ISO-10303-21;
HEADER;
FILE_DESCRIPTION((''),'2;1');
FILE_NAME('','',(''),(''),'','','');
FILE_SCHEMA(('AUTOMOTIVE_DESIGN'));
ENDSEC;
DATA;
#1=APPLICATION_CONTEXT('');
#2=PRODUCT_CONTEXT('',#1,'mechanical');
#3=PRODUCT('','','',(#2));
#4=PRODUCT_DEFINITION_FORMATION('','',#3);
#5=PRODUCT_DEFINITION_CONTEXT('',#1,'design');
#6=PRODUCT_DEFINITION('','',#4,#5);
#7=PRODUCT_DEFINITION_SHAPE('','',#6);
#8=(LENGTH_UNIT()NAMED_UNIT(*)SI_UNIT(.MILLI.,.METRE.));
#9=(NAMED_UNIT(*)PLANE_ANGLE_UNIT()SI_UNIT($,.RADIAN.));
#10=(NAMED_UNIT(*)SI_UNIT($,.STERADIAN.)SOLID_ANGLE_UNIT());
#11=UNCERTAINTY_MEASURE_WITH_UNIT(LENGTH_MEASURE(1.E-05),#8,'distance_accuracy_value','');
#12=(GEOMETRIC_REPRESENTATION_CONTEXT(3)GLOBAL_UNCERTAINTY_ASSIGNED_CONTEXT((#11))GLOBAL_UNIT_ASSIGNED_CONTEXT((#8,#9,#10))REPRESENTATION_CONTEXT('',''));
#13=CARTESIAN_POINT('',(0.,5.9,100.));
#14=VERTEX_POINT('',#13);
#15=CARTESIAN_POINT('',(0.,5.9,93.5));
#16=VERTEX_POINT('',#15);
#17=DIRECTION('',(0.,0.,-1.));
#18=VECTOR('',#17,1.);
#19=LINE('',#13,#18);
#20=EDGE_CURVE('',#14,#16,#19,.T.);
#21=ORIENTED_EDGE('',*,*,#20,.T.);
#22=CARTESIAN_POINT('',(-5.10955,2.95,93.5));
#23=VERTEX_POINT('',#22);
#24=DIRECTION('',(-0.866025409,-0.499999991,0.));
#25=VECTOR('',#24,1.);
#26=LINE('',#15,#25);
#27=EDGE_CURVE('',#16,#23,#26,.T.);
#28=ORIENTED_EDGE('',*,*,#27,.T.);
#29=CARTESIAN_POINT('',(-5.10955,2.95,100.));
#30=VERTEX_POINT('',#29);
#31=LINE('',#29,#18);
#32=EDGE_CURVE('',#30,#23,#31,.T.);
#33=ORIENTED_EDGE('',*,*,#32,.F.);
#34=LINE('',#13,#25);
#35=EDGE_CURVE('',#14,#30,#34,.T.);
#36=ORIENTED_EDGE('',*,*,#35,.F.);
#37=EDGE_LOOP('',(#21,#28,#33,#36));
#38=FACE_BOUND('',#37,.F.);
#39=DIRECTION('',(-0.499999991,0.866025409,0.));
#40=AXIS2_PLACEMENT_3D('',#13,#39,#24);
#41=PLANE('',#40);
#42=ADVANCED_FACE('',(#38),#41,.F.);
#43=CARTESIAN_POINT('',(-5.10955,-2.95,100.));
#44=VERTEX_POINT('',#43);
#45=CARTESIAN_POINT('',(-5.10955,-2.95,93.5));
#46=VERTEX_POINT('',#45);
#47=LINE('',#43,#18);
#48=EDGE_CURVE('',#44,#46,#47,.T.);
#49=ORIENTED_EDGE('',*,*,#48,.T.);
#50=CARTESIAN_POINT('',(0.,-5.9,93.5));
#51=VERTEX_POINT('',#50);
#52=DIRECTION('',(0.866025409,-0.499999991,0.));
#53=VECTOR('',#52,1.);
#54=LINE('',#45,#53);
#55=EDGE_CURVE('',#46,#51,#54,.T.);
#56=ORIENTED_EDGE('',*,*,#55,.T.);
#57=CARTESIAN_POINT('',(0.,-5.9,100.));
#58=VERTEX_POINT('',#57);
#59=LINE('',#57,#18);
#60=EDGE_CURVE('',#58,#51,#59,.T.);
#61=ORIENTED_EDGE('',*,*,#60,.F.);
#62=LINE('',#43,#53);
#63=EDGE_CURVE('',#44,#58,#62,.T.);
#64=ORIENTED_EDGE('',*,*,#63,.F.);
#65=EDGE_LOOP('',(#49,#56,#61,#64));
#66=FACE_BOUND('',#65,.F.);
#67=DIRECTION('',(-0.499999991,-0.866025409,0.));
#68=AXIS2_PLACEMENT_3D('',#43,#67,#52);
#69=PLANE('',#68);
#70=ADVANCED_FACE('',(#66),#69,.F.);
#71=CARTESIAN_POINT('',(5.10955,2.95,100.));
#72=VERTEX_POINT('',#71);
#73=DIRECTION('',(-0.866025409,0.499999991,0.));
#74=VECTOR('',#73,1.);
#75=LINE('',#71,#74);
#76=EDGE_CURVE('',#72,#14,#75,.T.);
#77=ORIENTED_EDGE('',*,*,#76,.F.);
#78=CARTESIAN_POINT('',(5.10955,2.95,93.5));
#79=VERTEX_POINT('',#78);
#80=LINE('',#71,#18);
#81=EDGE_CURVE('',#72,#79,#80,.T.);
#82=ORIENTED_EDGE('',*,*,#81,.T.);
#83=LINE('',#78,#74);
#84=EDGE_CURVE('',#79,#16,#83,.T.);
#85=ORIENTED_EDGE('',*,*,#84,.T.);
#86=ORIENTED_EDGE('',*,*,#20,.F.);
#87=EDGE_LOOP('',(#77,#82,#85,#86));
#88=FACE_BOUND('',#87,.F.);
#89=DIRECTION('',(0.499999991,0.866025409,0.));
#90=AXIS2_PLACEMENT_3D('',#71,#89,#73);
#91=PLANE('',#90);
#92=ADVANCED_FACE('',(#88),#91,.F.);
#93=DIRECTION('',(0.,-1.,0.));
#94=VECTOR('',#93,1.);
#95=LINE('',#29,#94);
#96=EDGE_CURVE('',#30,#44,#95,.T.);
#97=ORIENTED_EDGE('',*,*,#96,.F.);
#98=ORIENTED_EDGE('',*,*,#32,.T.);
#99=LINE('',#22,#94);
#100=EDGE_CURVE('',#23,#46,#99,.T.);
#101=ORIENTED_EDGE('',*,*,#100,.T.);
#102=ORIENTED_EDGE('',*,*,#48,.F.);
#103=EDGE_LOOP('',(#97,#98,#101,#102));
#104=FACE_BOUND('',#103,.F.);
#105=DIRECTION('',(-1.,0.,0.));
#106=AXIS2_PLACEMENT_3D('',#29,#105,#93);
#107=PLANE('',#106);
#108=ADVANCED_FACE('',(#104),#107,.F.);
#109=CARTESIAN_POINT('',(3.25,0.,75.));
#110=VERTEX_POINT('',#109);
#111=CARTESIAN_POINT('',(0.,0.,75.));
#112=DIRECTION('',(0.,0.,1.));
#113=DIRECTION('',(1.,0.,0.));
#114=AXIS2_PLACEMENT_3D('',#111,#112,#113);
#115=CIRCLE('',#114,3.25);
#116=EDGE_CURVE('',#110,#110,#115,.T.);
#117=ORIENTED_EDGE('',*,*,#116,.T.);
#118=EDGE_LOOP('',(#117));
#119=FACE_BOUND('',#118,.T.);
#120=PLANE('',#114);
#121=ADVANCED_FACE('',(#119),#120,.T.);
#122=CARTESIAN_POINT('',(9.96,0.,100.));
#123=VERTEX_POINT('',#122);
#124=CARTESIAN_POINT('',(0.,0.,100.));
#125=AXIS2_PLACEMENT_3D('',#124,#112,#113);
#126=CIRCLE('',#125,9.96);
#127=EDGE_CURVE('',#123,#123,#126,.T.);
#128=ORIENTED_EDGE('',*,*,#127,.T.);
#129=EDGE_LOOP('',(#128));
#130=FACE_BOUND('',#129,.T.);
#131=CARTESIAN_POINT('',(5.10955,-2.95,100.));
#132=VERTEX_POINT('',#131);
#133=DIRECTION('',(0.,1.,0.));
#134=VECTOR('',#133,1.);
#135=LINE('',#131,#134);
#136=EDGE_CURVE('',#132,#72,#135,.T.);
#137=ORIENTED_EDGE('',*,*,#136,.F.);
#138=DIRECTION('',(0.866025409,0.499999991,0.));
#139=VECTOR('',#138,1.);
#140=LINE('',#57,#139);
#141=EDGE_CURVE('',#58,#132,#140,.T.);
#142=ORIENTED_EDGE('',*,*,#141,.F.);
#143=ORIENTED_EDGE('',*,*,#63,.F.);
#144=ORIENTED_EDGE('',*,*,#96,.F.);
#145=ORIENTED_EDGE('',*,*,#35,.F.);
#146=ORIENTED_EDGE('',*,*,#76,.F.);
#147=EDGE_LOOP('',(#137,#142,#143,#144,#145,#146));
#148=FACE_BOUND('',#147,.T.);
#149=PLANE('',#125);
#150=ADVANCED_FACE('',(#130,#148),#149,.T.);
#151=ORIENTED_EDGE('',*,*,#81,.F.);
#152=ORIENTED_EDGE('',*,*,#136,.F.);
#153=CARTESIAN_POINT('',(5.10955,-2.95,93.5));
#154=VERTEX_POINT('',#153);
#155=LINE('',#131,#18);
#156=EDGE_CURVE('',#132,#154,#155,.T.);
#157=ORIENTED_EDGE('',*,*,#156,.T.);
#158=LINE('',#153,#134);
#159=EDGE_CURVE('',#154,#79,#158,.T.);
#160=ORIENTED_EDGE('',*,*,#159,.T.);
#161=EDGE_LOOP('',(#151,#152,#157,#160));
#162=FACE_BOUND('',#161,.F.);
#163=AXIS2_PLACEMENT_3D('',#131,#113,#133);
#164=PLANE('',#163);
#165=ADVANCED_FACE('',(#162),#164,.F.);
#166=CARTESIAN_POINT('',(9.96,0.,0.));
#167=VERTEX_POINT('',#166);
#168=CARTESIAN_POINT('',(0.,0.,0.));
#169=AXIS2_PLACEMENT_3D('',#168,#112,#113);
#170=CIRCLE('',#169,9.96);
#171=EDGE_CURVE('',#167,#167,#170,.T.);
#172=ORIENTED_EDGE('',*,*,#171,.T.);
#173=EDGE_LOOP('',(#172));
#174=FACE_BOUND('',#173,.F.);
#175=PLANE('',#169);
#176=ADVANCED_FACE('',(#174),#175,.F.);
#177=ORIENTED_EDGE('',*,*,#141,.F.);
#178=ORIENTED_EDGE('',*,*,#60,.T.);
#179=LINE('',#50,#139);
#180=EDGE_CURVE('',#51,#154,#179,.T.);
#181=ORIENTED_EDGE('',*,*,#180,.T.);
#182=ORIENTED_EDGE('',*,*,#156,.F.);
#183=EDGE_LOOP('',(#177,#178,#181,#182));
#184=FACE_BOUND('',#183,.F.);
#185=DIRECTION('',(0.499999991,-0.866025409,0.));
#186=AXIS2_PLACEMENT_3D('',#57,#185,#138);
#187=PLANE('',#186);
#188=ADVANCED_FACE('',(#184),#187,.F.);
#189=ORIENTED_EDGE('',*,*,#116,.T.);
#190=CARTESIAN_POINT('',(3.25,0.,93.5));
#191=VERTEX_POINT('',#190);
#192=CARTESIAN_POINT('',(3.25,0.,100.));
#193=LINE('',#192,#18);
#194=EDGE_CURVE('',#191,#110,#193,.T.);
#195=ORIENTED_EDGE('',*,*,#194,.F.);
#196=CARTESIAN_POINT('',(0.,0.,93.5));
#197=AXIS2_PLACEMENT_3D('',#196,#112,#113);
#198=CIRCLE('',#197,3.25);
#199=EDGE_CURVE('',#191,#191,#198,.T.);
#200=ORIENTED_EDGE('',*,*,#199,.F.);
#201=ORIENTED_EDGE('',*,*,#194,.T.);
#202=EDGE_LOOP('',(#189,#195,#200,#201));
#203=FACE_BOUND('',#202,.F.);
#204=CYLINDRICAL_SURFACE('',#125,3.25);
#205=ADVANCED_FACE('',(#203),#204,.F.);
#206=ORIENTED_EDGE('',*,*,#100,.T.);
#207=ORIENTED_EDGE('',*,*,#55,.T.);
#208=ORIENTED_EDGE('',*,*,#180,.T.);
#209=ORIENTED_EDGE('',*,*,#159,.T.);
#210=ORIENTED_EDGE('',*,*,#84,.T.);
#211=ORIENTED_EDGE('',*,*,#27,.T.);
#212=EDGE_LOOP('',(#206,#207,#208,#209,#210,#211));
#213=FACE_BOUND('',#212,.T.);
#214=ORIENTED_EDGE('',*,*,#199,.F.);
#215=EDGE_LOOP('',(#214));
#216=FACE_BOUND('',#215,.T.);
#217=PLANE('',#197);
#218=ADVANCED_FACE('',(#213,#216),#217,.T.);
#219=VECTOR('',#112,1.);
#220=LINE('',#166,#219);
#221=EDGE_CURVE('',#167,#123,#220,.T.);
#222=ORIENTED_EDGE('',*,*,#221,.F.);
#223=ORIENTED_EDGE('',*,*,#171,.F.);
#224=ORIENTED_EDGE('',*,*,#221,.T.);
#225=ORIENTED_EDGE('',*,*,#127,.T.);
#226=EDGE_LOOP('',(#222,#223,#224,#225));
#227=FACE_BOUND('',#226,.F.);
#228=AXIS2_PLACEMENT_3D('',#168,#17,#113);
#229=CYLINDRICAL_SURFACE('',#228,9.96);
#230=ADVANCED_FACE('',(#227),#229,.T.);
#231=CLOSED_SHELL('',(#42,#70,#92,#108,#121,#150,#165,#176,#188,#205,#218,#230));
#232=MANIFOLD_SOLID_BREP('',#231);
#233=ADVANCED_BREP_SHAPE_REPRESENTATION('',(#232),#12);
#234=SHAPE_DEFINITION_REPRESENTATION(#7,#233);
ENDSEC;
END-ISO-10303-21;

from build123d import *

# Parameters (mm, degrees)
F0_R     = 9.96
F1_DEPTH = 100
F2_R     = 3.25
F3_DEPTH = 25
F5_DEPTH = 6.5


with BuildPart() as f1:
    # F0 (on Top) → F1 (new body)
    with BuildSketch(Plane.XY):
        Circle(F0_R)
    extrude(amount=F1_DEPTH)

    # F2 (on face) → F3 (cut)
    with BuildSketch(Plane.XY.offset(100)):
        Circle(F2_R)
    extrude(amount=-F3_DEPTH, mode=Mode.SUBTRACT)

    # F4 (on face) → F5 (cut)
    with BuildSketch(Plane.XY.offset(100)):
        Polygon((5.10955, 2.95), (0, 5.9), (-5.10955, 2.95), (-5.10955, -2.95), (0, -5.9), (5.10955, -2.95), align=None)
    extrude(amount=-F5_DEPTH, mode=Mode.SUBTRACT)


solid = f1.part
